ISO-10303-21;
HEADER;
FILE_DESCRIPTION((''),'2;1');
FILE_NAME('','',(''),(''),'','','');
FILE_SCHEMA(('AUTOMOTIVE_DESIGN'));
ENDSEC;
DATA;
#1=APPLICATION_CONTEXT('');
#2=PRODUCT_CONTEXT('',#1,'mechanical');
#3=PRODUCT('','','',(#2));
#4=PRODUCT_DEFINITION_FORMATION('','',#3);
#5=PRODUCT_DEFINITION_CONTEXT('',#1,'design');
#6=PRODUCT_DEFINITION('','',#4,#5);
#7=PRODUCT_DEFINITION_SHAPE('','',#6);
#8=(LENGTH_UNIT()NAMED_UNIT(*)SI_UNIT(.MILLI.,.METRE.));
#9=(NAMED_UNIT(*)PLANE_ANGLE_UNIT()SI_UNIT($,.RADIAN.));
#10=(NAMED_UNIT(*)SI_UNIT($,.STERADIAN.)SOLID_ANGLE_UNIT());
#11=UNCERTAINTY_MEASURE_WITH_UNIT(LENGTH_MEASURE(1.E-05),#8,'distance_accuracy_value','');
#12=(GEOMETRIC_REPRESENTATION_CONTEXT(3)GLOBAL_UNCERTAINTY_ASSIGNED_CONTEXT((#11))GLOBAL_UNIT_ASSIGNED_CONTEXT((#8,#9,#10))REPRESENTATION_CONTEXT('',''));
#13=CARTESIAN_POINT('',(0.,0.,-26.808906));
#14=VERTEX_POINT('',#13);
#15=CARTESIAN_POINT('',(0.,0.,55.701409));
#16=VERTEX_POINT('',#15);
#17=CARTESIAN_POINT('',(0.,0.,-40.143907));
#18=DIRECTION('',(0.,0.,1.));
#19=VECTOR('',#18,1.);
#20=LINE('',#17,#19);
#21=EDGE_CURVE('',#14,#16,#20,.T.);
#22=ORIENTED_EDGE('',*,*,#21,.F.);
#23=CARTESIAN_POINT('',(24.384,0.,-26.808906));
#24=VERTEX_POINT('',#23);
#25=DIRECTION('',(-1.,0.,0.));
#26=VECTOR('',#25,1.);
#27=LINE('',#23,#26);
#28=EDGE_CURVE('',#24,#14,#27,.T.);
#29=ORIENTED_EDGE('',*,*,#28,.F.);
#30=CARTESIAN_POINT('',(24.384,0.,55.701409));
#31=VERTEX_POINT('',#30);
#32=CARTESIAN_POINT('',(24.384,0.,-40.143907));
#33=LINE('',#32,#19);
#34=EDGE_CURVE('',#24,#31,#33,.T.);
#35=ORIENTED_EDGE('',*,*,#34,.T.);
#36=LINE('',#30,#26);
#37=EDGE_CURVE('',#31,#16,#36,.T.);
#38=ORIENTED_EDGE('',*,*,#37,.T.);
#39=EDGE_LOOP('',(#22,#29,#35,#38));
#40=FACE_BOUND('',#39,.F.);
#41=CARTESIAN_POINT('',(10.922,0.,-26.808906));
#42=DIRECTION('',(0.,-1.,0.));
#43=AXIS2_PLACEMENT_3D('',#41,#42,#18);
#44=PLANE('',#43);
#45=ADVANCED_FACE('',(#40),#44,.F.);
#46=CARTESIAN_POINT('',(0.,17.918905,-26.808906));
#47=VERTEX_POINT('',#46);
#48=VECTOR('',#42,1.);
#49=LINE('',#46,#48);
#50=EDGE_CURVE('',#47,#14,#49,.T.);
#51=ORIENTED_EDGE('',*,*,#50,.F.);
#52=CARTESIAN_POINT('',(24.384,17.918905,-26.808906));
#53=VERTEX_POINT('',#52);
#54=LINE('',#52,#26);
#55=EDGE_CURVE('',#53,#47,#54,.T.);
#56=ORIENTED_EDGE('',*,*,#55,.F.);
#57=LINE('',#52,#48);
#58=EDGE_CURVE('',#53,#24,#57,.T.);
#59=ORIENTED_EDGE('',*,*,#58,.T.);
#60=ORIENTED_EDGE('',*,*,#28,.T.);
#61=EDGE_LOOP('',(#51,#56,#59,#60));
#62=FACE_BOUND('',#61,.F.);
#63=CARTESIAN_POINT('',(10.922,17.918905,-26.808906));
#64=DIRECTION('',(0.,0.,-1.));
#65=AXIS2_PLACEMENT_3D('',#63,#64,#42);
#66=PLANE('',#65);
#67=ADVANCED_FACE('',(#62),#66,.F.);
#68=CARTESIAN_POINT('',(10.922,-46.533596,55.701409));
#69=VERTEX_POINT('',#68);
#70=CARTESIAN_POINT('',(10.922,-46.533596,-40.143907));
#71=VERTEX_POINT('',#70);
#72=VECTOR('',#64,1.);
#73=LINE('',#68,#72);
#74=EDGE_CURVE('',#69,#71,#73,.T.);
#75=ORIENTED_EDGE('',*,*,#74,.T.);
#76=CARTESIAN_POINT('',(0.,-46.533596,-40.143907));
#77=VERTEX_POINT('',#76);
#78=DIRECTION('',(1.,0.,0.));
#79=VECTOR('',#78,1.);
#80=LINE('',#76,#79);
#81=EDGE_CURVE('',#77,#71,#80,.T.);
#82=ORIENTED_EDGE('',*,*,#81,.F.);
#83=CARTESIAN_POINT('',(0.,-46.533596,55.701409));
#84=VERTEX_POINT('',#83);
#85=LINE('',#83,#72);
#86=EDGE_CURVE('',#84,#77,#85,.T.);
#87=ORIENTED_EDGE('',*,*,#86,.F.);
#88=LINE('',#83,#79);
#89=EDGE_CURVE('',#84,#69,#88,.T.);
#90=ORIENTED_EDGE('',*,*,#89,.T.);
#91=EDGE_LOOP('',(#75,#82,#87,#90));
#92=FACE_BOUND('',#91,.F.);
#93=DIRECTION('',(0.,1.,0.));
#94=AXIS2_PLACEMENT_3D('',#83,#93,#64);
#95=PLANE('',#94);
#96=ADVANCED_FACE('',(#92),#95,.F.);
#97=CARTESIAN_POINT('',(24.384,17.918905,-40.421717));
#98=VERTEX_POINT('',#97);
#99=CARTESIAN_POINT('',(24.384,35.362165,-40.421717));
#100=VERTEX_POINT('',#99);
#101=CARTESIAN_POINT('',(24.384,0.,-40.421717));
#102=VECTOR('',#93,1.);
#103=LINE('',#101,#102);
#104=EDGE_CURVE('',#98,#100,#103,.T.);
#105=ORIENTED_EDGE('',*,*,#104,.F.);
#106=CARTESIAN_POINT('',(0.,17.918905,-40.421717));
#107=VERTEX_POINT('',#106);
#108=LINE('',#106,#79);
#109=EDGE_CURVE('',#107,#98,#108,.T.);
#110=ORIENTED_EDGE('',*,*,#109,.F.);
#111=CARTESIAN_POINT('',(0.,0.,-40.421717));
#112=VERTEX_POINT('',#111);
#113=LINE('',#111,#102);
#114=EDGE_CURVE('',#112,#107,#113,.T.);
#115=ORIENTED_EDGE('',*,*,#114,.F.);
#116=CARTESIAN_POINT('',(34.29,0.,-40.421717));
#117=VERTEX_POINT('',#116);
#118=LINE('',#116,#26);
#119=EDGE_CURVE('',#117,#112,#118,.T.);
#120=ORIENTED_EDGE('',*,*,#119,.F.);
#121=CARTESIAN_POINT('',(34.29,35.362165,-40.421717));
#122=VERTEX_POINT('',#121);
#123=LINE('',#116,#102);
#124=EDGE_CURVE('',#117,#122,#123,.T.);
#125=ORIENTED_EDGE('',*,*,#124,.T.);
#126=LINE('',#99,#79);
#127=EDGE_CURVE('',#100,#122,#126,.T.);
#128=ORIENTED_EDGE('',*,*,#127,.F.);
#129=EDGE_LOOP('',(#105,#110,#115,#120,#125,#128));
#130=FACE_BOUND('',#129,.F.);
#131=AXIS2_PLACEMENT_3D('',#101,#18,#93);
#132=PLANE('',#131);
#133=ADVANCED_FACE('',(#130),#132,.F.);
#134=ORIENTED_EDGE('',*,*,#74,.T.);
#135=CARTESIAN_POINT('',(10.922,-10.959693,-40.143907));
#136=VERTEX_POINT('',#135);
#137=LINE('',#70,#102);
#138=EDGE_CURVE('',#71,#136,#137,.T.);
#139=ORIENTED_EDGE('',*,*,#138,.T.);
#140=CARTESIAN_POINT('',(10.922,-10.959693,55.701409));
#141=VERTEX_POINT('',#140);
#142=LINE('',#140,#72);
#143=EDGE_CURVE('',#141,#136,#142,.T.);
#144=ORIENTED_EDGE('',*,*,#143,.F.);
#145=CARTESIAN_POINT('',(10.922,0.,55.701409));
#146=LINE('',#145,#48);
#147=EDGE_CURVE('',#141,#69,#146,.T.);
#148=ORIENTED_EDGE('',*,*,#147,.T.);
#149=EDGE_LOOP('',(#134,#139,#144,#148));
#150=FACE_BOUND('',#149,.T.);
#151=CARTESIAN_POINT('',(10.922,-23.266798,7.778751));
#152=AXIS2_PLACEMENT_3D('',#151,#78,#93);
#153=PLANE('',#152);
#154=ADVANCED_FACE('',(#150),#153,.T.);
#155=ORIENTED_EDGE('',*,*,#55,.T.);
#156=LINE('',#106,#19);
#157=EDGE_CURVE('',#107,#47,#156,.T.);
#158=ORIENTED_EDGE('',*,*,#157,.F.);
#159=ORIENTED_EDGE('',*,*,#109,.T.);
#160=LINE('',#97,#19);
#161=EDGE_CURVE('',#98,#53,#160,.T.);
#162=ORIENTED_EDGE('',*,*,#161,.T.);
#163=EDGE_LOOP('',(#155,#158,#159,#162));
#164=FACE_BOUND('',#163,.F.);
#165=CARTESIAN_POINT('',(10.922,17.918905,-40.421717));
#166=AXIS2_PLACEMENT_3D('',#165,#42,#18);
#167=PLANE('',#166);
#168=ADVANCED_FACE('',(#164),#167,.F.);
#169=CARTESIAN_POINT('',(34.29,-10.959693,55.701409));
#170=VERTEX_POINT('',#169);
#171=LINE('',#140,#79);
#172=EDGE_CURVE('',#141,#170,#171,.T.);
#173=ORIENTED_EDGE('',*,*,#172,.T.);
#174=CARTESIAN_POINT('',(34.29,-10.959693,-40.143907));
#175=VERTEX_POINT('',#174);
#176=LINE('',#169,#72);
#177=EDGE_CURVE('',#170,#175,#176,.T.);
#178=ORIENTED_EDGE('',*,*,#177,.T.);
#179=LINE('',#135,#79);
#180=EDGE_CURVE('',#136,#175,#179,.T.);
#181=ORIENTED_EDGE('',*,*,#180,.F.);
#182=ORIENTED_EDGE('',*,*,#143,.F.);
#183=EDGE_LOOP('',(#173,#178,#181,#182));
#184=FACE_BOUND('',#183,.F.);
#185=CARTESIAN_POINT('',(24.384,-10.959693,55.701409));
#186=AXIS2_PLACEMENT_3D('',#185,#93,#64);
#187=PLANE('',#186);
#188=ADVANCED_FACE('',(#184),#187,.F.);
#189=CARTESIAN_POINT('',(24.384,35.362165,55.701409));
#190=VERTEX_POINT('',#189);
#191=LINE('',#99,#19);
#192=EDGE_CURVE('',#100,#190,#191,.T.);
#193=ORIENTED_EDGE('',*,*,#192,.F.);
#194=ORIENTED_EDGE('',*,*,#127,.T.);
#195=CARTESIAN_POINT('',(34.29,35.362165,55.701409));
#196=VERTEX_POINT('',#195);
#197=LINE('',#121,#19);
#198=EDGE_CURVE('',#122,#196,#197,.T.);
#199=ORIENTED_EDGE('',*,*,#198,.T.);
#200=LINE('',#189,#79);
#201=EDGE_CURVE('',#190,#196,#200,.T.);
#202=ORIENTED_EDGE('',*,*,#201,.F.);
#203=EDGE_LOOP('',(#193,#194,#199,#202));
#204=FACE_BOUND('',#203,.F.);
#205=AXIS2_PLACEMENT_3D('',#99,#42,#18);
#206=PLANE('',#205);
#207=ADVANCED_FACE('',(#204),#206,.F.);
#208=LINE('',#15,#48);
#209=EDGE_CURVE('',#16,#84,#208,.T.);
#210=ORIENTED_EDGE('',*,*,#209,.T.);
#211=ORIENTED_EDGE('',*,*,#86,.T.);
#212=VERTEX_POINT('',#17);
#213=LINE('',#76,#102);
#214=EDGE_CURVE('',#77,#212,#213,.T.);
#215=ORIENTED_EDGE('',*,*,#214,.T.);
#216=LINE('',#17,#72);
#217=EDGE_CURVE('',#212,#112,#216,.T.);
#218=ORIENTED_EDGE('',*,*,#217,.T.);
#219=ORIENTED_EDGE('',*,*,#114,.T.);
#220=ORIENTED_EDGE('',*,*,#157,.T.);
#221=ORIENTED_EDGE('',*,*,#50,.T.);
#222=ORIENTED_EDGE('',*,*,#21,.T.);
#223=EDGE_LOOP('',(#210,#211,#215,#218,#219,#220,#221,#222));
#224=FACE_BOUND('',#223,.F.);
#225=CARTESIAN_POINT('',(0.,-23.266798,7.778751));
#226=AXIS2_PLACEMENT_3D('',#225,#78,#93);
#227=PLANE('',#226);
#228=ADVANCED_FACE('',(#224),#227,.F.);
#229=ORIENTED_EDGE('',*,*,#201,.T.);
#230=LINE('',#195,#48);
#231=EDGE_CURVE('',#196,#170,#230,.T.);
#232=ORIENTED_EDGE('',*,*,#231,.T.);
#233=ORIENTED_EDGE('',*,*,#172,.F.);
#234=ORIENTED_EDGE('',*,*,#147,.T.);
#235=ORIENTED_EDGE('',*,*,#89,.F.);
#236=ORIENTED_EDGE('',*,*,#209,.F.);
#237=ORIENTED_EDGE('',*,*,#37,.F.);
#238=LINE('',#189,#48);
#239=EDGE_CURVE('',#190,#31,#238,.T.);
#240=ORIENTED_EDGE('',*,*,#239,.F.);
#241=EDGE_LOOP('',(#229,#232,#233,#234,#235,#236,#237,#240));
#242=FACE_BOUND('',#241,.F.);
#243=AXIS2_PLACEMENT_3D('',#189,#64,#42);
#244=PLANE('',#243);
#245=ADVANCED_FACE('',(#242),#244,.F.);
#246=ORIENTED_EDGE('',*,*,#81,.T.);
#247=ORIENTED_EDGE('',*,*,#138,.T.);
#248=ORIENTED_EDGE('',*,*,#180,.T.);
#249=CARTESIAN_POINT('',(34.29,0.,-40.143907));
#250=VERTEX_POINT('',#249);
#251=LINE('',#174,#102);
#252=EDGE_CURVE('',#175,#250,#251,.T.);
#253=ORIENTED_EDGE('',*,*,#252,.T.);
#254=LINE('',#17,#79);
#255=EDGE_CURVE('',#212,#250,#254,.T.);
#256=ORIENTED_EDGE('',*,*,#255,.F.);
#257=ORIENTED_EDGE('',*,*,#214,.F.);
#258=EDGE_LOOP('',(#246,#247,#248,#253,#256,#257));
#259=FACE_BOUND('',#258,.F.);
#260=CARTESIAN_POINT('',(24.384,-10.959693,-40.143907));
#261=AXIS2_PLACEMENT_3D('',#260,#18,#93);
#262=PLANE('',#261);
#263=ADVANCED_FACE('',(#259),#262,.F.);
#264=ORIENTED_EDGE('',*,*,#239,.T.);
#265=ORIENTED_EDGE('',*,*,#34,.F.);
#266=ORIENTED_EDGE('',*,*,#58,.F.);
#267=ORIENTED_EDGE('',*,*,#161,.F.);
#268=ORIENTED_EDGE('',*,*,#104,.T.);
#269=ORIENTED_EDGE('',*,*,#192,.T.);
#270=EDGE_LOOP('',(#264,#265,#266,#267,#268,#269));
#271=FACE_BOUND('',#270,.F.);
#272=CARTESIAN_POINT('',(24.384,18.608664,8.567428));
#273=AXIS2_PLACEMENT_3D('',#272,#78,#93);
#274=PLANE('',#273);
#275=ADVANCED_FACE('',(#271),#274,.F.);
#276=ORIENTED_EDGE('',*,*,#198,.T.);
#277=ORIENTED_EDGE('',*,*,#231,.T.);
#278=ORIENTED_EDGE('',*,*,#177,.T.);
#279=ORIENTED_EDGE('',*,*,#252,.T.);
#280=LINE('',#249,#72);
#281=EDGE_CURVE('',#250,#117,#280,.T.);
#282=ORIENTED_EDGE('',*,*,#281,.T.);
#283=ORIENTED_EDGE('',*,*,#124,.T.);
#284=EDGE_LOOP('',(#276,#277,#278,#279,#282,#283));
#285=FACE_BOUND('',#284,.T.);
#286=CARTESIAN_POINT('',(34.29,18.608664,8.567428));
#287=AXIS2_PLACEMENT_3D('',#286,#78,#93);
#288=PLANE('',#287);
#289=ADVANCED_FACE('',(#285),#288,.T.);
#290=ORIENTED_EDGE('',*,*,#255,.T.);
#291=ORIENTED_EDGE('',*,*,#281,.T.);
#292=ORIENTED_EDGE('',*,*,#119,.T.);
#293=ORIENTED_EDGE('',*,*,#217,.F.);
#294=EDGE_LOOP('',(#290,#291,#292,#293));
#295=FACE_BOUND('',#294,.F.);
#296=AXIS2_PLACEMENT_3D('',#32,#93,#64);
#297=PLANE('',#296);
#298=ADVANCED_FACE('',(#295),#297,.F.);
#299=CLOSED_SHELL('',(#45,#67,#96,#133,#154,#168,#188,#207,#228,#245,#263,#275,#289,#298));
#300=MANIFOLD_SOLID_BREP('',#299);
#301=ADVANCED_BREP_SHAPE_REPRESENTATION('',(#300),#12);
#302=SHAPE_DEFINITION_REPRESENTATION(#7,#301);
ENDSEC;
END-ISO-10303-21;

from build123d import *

# Parameters (mm, degrees)
F1_DEPTH = 10.922
F3_DEPTH = 13.462
F5_DEPTH = 9.906


with BuildPart() as f1:
    # F0 (on Right) → F1 (new body)
    with BuildSketch(Plane.YZ):
        Polygon((0, 55.701409), (-46.533596, 55.701409), (-46.533596, -40.143907), (0, -40.143907), (0, -26.808906), align=None)
        Polygon((17.918905, -26.808906), (0, -26.808906), (0, -40.143907), (0, -40.421717), (17.918905, -40.421717), align=None)
    extrude(amount=F1_DEPTH)

    # F2 (on face) → F3 (join)
    with BuildSketch(Plane.YZ.offset(10.922)):
        Polygon((0, 55.701409), (-10.959693, 55.701409), (-10.959693, -40.143907), (0, -40.143907), (0, -26.808906), align=None)
        Polygon((17.918905, -26.808906), (0, -26.808906), (0, -40.143907), (0, -40.421717), (17.918905, -40.421717), align=None)
    extrude(amount=F3_DEPTH)

    # F4 (on face) → F5 (join)
    with BuildSketch(Plane.YZ.offset(24.384)):
        Polygon((35.362165, 55.701409), (0, 55.701409), (0, -26.808906), (17.918905, -26.808906), (17.918905, -40.421717), (35.362165, -40.421717), align=None)
        Polygon((0, 55.701409), (-10.959693, 55.701409), (-10.959693, -40.143907), (0, -40.143907), (0, -40.421717), (17.918905, -40.421717), (17.918905, -26.808906), (0, -26.808906), align=None)
    extrude(amount=F5_DEPTH)


solid = f1.part
